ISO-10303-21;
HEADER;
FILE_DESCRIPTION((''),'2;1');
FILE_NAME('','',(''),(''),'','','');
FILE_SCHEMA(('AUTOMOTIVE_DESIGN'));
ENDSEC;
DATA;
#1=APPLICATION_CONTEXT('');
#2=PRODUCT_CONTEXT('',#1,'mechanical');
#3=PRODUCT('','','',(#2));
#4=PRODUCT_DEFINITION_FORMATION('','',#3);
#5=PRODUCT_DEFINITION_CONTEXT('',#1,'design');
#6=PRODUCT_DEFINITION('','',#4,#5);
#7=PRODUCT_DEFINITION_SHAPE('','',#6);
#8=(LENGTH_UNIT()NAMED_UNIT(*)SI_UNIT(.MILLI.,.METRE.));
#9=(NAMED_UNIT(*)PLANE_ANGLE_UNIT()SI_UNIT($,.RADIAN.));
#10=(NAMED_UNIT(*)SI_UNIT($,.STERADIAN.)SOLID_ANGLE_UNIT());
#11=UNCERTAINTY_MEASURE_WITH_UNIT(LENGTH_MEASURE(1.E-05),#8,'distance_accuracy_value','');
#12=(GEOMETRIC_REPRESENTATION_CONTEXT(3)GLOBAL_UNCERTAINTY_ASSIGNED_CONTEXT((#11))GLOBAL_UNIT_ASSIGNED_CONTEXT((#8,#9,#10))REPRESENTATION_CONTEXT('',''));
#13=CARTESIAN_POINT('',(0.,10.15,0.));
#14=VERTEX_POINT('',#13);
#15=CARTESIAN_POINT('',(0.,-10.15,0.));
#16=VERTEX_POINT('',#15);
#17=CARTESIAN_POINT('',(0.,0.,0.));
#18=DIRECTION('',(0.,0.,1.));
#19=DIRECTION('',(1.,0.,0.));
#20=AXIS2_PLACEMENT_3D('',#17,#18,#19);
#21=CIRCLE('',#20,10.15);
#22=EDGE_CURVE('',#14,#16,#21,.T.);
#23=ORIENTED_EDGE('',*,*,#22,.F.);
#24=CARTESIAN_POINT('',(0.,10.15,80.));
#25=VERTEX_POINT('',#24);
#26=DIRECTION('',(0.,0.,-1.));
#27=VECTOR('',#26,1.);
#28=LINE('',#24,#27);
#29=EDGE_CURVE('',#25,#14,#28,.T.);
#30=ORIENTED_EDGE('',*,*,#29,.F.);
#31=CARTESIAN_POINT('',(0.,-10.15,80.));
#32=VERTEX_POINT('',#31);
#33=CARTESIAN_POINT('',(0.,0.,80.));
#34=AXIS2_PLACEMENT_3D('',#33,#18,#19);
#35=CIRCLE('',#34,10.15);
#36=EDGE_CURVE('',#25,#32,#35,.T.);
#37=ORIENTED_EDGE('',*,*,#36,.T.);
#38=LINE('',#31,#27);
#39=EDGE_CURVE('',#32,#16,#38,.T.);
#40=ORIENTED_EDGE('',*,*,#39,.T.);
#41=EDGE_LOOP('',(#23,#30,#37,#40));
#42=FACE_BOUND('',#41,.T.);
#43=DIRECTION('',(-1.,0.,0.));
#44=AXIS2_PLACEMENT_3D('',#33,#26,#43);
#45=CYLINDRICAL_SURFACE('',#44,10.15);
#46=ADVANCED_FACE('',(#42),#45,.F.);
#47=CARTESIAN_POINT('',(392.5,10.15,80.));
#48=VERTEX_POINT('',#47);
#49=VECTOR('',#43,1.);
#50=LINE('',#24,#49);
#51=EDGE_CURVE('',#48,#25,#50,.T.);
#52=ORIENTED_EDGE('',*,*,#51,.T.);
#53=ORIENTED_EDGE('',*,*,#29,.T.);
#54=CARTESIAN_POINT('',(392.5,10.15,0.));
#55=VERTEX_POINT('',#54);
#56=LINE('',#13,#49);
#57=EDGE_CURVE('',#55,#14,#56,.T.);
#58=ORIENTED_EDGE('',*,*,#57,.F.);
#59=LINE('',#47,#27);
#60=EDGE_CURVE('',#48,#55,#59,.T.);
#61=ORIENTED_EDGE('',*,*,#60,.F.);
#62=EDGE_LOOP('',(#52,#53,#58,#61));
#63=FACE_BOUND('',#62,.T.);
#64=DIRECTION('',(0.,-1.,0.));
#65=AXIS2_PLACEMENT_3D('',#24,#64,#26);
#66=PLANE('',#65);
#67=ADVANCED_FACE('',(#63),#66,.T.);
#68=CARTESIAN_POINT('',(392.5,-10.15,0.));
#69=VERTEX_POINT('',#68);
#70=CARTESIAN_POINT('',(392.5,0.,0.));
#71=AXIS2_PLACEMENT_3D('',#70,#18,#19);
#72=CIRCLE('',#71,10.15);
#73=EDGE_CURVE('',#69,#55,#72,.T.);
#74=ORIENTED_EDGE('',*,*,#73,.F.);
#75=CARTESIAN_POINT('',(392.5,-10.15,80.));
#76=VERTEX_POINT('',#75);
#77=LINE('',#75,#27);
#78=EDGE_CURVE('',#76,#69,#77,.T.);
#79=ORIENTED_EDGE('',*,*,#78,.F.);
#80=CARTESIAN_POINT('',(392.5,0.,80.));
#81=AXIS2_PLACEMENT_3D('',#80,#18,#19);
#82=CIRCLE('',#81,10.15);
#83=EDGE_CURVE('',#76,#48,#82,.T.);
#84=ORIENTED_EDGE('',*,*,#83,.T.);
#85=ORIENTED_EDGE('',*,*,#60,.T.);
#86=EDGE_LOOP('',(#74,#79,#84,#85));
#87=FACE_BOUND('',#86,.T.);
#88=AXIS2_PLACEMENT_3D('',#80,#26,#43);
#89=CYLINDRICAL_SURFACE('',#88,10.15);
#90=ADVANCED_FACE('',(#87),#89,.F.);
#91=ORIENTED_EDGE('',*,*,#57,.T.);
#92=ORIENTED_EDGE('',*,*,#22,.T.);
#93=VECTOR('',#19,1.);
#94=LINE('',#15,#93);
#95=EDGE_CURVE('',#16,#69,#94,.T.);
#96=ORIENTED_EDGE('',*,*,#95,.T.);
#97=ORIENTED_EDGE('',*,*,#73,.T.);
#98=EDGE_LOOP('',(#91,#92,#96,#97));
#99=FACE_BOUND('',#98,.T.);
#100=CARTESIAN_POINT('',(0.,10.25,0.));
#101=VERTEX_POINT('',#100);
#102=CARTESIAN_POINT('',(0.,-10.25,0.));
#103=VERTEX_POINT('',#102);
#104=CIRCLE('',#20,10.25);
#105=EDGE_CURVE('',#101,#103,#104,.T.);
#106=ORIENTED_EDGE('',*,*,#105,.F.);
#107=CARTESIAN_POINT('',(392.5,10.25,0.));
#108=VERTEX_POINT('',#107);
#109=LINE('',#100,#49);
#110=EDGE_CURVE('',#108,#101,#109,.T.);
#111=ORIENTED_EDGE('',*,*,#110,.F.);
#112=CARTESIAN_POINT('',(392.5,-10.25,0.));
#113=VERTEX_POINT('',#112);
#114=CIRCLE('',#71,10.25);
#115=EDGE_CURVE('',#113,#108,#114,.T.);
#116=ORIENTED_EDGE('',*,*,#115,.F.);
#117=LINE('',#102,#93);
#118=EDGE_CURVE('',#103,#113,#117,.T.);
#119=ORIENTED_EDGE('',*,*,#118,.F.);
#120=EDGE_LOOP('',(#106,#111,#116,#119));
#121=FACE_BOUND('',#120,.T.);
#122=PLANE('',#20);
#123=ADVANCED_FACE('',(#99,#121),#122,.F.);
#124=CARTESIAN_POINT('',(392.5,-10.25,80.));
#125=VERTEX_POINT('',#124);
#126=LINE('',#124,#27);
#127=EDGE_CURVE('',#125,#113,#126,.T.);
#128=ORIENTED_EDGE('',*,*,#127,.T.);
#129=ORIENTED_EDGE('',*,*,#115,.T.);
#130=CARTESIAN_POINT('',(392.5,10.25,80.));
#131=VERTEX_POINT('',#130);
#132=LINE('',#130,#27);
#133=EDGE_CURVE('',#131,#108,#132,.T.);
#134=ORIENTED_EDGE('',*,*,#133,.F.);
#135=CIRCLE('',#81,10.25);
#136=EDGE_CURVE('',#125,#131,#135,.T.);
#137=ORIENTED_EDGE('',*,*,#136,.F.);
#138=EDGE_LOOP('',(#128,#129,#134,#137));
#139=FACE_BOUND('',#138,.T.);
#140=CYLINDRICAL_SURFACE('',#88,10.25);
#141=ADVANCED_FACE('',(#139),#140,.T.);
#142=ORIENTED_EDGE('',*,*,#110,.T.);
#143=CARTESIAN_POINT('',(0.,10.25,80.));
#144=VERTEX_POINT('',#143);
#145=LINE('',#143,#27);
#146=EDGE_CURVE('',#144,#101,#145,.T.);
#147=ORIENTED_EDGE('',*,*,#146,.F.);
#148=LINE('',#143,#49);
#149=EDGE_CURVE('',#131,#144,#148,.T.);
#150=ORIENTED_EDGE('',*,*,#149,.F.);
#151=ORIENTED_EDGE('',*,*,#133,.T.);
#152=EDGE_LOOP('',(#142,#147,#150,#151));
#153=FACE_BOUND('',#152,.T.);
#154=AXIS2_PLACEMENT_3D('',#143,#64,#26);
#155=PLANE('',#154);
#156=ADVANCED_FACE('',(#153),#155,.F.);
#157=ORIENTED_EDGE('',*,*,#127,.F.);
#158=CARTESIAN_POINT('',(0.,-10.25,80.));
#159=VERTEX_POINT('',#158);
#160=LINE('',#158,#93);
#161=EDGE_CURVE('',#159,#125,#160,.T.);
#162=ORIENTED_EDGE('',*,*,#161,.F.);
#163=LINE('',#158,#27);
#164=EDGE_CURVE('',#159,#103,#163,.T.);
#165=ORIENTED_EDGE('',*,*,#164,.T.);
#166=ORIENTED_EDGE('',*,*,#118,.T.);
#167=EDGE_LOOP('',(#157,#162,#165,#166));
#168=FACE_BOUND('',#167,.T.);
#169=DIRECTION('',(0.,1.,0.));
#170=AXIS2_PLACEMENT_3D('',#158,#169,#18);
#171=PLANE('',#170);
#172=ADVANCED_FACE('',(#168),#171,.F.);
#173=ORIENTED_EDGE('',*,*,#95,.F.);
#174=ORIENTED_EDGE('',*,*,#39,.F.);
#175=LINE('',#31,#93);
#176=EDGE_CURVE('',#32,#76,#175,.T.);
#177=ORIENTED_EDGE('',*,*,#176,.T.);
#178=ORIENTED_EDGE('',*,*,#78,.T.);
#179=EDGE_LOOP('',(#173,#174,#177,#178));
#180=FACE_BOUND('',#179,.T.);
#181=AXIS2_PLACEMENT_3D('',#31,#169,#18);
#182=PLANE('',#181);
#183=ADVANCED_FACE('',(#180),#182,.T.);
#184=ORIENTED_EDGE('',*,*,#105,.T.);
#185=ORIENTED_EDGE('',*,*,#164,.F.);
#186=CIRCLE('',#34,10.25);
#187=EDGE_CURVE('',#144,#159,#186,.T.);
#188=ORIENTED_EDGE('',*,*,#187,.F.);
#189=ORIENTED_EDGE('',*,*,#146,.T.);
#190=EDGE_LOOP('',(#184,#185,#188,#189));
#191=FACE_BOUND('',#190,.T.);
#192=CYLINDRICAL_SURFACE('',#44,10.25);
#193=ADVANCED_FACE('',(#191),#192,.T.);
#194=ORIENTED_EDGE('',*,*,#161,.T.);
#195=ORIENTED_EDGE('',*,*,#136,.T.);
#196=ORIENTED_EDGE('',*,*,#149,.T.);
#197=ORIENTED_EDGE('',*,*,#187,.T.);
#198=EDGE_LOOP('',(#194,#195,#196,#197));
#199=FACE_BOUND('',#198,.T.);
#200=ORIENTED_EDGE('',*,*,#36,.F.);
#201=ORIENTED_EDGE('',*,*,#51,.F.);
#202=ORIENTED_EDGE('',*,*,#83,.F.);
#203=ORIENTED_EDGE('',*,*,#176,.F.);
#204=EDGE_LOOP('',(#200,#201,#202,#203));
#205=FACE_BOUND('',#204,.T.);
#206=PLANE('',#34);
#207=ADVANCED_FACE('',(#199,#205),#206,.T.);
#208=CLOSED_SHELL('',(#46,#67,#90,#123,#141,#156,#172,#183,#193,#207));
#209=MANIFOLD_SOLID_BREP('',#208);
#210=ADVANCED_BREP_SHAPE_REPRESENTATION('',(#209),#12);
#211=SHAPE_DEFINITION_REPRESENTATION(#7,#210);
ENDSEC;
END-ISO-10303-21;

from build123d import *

# Parameters (mm, degrees)
EXTRUDE_1_DEPTH = 80


with BuildPart() as part:
    # 草图1 → 凸台-拉伸1 (new body)
    with BuildSketch(Plane.XY):
        with BuildLine():
            Line((0, 10.25), (392.5, 10.25))
            ThreePointArc((392.5, 10.25), (402.75, 0), (392.5, -10.25))
            Line((392.5, -10.25), (0, -10.25))
            ThreePointArc((0, -10.25), (-10.25, 0), (0, 10.25))
        make_face()
        with BuildLine():
            Line((0, 10.15), (392.5, 10.15))
            ThreePointArc((392.5, 10.15), (402.65, 0), (392.5, -10.15))
            Line((392.5, -10.15), (0, -10.15))
            ThreePointArc((0, -10.15), (-10.15, 0), (0, 10.15))
        make_face(mode=Mode.SUBTRACT)
    extrude(amount=EXTRUDE_1_DEPTH)


solid = part.part
